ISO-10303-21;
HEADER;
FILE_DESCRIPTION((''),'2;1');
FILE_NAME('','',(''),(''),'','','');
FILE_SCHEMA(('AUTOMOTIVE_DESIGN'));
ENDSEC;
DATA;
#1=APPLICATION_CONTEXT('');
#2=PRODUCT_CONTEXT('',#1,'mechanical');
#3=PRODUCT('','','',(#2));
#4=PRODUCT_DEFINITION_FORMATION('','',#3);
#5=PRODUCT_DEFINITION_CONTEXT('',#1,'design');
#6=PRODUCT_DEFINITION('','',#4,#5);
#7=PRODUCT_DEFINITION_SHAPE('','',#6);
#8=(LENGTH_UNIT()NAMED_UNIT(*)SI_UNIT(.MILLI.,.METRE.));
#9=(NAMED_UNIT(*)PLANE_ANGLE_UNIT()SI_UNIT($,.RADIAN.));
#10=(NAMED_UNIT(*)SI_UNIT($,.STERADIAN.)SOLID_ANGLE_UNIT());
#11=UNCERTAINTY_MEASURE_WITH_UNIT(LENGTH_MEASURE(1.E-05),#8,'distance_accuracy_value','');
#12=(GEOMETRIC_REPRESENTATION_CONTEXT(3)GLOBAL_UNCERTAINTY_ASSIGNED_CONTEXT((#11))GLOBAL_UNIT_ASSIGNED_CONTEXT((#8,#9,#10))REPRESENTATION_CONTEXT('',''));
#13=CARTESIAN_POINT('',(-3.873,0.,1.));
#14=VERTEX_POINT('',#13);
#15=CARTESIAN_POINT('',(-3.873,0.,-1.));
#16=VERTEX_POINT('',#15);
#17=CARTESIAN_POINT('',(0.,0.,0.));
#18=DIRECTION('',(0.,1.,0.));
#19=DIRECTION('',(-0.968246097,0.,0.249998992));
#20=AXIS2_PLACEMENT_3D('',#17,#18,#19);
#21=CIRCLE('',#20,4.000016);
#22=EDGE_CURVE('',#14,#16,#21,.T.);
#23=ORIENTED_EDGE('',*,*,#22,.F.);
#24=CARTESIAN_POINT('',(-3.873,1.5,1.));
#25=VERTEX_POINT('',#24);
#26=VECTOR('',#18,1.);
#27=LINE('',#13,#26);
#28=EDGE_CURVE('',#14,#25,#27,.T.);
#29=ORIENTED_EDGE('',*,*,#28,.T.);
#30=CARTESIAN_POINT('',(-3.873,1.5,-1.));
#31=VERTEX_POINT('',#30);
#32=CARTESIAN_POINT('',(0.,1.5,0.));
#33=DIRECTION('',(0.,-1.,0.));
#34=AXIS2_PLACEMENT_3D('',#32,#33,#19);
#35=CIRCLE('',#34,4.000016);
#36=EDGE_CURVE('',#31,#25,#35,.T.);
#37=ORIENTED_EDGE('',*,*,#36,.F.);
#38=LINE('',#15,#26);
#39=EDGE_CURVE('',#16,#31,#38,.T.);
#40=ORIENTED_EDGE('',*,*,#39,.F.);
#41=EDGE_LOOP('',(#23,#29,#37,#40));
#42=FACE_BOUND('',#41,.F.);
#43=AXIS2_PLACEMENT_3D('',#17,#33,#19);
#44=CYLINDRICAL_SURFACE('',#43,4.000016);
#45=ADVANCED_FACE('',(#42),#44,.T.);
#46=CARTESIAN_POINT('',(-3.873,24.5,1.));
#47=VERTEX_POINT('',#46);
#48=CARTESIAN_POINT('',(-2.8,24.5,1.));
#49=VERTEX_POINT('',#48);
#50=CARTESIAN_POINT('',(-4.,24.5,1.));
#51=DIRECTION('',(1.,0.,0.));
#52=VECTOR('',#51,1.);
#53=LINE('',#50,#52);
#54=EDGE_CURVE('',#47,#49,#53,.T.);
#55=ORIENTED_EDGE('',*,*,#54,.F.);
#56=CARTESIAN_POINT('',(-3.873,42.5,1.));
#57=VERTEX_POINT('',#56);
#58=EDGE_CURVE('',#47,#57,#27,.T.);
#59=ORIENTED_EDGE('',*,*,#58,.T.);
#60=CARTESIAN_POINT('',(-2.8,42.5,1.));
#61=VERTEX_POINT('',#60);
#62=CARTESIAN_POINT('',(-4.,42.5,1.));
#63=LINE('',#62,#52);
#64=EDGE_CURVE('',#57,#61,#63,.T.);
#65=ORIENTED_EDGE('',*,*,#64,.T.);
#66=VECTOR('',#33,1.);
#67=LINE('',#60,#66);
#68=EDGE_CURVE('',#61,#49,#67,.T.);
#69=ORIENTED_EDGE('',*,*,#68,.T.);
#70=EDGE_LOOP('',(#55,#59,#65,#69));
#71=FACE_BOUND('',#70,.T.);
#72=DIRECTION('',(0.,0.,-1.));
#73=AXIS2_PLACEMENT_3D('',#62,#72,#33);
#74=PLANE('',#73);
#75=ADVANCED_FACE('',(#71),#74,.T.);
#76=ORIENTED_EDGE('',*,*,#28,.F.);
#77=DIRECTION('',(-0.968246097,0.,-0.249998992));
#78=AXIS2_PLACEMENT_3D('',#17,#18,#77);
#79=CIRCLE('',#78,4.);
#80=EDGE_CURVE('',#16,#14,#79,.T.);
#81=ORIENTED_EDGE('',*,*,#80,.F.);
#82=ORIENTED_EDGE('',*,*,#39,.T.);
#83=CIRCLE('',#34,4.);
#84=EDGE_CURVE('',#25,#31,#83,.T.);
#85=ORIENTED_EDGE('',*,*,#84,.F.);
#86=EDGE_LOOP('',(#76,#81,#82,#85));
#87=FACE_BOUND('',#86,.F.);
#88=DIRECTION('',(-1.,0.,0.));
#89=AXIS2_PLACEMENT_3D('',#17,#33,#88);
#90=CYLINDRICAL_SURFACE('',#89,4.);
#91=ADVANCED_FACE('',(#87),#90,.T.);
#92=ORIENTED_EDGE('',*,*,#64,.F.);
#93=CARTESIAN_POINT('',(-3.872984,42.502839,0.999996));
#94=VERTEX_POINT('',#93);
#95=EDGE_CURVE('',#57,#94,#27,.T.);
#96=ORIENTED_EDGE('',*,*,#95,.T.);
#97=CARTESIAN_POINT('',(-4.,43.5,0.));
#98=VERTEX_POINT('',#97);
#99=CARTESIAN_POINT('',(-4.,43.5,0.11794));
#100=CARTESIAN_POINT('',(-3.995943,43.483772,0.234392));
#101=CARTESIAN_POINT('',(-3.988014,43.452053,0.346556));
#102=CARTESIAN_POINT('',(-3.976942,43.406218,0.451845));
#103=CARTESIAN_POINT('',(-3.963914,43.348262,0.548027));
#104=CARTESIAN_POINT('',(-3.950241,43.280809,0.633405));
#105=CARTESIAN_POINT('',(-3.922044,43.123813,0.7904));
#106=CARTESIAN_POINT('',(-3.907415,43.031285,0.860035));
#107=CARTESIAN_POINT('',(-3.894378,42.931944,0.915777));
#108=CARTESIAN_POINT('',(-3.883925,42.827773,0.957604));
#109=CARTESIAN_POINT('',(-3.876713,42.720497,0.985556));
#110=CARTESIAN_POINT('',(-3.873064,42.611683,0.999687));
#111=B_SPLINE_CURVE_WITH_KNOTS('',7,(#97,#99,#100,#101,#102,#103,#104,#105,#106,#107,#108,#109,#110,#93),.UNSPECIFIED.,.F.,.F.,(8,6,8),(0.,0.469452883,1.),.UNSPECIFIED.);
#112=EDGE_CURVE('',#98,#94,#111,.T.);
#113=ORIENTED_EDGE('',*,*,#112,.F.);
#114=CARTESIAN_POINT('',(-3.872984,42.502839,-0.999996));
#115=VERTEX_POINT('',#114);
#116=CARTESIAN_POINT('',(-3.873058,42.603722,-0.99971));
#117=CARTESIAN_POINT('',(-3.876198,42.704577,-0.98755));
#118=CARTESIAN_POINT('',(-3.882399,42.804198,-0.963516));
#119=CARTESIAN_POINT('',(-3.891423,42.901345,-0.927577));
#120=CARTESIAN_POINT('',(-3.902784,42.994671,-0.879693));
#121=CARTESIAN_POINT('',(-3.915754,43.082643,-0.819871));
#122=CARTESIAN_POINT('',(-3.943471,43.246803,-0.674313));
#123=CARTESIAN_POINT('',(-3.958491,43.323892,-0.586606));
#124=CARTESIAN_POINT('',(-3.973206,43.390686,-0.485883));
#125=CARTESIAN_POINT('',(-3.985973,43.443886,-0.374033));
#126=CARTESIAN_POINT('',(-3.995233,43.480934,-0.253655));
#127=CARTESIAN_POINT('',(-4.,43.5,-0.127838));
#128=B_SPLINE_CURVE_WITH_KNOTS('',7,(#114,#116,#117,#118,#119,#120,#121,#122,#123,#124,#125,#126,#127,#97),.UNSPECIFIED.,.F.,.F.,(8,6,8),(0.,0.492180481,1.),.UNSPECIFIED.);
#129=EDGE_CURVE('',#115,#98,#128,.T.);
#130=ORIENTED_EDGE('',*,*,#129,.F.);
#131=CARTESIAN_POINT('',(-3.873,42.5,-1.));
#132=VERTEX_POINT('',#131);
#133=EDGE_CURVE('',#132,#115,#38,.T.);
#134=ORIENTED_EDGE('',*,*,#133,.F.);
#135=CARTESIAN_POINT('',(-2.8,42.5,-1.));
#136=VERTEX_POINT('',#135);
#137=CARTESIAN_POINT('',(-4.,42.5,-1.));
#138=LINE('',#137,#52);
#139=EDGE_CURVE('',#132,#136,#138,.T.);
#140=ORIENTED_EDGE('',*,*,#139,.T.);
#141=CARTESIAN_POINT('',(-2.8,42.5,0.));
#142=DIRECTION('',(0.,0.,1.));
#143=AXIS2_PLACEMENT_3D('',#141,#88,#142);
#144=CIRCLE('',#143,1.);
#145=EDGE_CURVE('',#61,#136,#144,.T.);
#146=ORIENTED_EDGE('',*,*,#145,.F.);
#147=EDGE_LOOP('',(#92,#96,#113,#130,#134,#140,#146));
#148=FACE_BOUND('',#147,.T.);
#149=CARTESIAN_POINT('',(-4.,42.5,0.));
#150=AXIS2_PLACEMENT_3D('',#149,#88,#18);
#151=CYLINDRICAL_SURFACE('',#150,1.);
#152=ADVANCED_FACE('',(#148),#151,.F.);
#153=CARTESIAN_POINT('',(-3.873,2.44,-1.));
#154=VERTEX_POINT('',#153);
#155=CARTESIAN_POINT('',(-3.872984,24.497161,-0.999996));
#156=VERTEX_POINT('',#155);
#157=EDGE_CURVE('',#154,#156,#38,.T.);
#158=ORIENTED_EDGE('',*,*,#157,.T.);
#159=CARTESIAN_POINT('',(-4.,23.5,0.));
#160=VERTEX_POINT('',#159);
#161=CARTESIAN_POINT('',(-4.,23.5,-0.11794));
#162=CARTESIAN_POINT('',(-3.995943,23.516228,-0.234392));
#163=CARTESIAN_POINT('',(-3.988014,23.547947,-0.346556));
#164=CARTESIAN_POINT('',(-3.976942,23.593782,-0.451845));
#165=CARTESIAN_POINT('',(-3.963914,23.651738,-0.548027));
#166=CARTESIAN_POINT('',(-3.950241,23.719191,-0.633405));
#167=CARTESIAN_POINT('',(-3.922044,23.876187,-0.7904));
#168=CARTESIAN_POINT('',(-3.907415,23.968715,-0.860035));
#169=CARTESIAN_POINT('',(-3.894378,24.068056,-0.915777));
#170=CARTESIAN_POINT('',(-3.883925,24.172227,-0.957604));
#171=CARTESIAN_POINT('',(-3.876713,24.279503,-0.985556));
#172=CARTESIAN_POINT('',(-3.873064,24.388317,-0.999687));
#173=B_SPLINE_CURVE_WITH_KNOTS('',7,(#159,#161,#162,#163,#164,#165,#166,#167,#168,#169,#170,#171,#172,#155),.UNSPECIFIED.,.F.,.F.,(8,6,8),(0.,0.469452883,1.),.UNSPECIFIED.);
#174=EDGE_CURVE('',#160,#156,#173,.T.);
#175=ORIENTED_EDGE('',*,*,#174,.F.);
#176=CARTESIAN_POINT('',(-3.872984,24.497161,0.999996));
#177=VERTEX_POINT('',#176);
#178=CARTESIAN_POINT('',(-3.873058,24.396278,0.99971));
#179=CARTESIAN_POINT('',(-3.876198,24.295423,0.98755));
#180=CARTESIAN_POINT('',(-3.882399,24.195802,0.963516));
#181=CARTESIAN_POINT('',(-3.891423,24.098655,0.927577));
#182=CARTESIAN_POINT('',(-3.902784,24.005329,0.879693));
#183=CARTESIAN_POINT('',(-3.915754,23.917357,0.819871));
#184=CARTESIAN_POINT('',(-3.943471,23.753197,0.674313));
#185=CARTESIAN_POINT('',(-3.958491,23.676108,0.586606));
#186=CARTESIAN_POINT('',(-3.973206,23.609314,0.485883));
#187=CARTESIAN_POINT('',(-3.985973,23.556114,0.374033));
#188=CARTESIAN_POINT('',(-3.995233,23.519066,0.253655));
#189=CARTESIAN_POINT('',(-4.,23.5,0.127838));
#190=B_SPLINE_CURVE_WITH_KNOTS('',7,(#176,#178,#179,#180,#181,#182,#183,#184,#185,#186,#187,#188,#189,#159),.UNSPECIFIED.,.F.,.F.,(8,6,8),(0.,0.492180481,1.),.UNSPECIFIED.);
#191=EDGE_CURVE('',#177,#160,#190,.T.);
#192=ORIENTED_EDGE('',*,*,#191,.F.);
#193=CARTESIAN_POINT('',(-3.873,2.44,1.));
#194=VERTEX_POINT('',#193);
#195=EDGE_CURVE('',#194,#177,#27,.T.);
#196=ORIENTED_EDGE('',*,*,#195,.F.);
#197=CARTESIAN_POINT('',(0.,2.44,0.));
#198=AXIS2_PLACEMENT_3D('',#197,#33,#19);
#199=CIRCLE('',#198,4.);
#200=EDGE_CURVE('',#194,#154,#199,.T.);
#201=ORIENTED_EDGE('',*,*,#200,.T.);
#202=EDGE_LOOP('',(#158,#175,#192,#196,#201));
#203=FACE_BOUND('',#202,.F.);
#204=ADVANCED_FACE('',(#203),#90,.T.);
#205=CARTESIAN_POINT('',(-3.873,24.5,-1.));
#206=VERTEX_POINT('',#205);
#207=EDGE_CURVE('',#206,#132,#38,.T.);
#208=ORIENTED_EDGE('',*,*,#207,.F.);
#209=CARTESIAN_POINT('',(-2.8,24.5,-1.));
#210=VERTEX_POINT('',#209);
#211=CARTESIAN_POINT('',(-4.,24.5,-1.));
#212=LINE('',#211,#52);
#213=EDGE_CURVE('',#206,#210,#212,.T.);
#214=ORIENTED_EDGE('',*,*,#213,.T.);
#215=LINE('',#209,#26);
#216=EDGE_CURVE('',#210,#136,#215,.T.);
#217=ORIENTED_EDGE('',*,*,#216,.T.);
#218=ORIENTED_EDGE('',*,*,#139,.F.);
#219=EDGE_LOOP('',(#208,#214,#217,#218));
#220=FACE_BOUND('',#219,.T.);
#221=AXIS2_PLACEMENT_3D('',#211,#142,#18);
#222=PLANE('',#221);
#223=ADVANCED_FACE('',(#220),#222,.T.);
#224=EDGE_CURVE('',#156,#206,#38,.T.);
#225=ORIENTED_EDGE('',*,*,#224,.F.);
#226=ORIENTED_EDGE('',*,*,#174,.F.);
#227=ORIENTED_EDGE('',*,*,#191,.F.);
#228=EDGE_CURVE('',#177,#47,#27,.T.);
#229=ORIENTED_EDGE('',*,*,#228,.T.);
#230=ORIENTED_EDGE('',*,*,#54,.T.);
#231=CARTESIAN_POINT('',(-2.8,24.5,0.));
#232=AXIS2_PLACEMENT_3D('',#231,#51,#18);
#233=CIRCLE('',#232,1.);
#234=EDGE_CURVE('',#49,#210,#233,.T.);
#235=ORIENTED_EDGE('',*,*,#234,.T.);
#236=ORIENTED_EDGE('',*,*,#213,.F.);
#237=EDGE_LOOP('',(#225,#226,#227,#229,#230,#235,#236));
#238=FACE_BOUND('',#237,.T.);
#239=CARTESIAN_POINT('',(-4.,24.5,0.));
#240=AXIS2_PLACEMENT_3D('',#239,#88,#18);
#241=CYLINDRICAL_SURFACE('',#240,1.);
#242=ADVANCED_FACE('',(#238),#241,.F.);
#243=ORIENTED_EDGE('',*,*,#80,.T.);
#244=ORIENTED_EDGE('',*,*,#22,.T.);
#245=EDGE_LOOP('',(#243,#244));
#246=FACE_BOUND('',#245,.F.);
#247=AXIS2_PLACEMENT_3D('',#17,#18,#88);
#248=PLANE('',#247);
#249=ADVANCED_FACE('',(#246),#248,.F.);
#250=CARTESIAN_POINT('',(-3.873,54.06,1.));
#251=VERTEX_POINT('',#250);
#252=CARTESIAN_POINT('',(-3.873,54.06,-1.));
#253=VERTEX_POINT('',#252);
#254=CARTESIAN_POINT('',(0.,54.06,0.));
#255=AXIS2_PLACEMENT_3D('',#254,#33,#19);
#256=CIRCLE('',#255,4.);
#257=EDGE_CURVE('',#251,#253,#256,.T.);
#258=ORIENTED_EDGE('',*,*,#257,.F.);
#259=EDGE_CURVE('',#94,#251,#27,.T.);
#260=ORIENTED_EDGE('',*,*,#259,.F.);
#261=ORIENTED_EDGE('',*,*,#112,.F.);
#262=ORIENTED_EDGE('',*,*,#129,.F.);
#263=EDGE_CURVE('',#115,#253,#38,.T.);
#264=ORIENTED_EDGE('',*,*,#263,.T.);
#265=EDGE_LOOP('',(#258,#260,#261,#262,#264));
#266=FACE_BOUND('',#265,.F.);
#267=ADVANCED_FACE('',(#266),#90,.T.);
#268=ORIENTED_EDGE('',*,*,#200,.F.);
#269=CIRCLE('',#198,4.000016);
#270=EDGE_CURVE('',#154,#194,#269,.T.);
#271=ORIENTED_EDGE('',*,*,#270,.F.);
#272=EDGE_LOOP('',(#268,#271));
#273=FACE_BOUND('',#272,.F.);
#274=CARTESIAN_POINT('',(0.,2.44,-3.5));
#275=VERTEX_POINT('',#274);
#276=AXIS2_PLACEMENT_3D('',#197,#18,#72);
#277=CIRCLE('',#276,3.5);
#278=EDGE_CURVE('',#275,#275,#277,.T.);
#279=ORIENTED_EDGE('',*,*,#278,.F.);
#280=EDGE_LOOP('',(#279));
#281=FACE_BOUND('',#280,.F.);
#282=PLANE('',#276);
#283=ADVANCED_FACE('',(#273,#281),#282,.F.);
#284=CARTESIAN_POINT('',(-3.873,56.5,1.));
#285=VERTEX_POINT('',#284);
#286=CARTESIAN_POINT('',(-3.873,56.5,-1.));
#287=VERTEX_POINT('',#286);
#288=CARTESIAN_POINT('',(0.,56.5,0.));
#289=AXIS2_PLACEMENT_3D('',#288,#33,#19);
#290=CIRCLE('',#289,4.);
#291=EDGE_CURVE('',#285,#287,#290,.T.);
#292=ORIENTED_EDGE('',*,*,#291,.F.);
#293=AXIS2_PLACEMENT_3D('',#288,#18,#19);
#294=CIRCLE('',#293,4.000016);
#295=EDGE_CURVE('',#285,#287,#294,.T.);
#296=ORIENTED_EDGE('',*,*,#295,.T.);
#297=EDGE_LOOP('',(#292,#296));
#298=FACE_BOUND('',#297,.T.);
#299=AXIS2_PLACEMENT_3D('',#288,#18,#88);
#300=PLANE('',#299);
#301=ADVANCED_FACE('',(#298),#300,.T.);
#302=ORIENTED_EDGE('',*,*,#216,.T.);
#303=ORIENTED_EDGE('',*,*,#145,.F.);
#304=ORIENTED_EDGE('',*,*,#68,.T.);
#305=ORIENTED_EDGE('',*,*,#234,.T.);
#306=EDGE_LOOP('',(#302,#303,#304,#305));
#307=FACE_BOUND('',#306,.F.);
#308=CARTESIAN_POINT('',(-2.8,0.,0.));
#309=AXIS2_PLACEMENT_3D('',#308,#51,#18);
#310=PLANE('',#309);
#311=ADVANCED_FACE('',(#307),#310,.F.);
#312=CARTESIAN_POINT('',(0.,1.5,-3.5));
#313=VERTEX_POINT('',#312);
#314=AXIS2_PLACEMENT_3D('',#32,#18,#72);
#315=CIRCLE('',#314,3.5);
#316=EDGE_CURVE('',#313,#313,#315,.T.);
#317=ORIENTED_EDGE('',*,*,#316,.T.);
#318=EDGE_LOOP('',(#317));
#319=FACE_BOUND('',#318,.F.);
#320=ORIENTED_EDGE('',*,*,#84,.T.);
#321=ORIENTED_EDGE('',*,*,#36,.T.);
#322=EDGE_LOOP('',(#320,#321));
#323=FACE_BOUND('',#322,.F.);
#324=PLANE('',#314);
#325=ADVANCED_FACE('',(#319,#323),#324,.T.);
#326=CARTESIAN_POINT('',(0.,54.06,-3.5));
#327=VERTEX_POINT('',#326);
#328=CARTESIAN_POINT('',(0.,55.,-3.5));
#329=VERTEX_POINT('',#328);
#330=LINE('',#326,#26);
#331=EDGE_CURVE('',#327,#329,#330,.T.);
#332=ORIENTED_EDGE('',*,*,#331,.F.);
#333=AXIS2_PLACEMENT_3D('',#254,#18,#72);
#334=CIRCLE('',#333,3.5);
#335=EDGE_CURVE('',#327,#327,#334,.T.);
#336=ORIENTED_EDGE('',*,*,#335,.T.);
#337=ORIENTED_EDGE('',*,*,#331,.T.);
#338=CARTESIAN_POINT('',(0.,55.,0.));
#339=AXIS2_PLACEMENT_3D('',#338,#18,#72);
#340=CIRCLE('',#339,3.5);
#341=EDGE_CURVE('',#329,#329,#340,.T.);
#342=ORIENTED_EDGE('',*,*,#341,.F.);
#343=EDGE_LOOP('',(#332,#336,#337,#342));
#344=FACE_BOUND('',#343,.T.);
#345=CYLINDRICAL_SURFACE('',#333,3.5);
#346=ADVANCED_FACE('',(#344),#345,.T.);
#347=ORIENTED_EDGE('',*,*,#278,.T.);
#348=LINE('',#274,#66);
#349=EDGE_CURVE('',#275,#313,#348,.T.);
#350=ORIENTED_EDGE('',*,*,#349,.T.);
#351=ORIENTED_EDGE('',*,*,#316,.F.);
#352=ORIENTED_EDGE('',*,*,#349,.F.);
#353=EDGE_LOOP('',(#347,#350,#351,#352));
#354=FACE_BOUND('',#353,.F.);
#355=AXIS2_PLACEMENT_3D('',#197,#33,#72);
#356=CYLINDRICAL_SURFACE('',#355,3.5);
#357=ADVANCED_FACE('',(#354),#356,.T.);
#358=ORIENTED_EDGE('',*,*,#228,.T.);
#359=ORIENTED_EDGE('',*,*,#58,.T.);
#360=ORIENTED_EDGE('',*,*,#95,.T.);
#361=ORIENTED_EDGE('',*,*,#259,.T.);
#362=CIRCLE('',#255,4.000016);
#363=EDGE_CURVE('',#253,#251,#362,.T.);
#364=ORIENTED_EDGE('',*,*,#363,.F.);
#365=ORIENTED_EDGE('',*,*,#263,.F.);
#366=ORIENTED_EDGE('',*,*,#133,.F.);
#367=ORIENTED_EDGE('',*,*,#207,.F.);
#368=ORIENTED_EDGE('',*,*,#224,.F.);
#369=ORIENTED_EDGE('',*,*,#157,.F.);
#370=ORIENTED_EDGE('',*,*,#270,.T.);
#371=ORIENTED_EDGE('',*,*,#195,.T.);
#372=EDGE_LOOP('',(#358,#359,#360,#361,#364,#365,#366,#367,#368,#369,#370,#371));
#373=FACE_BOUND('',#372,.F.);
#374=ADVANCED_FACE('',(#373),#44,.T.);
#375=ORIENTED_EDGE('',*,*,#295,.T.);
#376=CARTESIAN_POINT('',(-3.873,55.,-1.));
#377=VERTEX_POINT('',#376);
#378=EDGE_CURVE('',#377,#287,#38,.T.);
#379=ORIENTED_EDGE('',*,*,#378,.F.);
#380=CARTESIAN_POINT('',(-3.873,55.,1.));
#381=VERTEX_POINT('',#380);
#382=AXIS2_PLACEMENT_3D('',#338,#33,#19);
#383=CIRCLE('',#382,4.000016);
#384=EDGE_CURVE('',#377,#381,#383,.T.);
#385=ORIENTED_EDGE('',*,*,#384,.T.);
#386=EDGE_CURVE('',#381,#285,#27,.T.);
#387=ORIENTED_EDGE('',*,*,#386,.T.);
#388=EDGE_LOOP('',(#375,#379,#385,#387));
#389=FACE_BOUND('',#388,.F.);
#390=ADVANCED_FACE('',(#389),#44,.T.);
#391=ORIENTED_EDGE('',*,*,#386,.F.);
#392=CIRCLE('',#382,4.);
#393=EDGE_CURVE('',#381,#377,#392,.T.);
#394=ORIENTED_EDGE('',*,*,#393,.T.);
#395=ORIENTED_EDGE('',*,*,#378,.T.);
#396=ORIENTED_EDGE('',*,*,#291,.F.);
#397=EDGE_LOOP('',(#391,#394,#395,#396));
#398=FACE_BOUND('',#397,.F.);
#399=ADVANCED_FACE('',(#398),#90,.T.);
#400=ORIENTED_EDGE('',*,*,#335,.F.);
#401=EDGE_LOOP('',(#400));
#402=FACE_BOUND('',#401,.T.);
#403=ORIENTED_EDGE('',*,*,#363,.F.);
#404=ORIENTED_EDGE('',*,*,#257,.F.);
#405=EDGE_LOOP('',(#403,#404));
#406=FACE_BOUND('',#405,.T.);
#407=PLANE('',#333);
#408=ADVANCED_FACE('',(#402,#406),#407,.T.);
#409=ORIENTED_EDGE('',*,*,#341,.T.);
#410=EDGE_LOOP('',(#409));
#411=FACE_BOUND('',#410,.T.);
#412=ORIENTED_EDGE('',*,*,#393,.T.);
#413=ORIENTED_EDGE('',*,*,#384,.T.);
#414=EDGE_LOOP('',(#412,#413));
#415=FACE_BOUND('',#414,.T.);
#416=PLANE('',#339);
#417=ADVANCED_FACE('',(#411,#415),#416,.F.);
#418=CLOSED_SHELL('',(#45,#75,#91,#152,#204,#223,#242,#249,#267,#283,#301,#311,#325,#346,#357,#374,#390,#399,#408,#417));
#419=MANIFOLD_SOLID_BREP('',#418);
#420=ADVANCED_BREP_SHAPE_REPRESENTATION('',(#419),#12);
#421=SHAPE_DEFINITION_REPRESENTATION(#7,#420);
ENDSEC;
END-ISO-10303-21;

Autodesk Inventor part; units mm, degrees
ref_plane "XZ Plane" through (0, 0, 0) normal (0, 1, 0) x (-1, 0, 0)
ref_plane "XY Plane" through (0, 0, 0) normal (0, 0, 1) x (1, 0, 0)
sketch "Sketch1" plane through (0, 0, 0) normal (0, 1, 0) x (-1, 0, 0)
  arc A0 (3.873, 1) -> (3.873, -1) centre (0, 0) ccw
  circle A1 centre (0, 0) radius 4
  dimension "d0" = 8
extrude "Extrusion1" add sketch "Sketch1" along normal blind 56.5
sketch "Sketch2" plane through (0, 0, 0) normal (1, 0, 0) x (0, 1, 0)
  line L0 (1.5, -6.5) -> (2.44, -6.5)
  line L1 (2.44, -6.5) -> (2.44, -3.5)
  line L2 (2.44, -3.5) -> (1.5, -3.5)
  line L3 (1.5, -3.5) -> (1.5, -6.5)
  line L4 (0, -4) -> (56.5, -4) projected
  line L5 (0, -4) -> (56.5, -4) projected
  line L6 (0, -4) -> (56.5, -4) projected
  line L7 (0, -4) -> (0, 4) projected
  line L8 (28.25, -4) -> (28.25, 9.3026)
  line L9 (55, -6.5) -> (54.06, -6.5)
  line L10 (54.06, -6.5) -> (54.06, -3.5)
  line L11 (54.06, -3.5) -> (55, -3.5)
  line L12 (55, -3.5) -> (55, -6.5)
  line L13 (56.5, -4) -> (56.5, 4)
  line L14 (-11.3, 0) -> (67.8, 0) projected
  point P0 (0, 0)
  point P1 (0, 1)
  point P2 (0, -1)
  point P3 (56.5, 0)
  point P4 (56.5, 1)
  point P5 (56.5, -1)
  dimension "d9" = 0.94
  dimension "d10" = 0.5
  dimension "d11" = 3
  dimension "d12" = 1.5
revolve "Revolution1" cut sketch "Sketch2" angle 360 about axis through (0, -10, 0) along (0, 1, 0) contours L3 L4 L1 L0 | L3 L2 L1 L4 | L10 L11 L12 L4 | L4 L12 L9 L10
ref_plane "Work Plane1" through (-4, 0, 0) normal (1, 0, 0) x (0, 1, 0)
sketch "Sketch5" plane through (-4, 0, 0) normal (1, 0, 0) x (0, 1, 0)
  line L0 (42.5, 1) -> (24.5, 1)
  line L1 (24.5, 1) -> (24.5, -1)
  line L2 (24.5, -1) -> (42.5, -1)
  line L3 (42.5, -1) -> (42.5, 1)
  circle A0 centre (24.5, 0) radius 1
  circle A1 centre (42.5, 0) radius 1
  line L4 (2.44, -4) -> (54.06, -4) projected
  line L5 (2.44, 4) -> (54.06, 4) projected
  line L6 (56.5, -4) -> (56.5, 4) projected
  line L7 (0, 4) -> (0, -4) projected
  point P0 (0, 0)
  dimension "d19" = 2
  dimension "d20" = 3
  dimension "d23" = 18
  dimension "d25" = 14
extrude "Extrusion4" cut sketch "Sketch5" along normal blind 1.2
properties part number "AxeVerticalCaptif" material "Stainless Steel"
